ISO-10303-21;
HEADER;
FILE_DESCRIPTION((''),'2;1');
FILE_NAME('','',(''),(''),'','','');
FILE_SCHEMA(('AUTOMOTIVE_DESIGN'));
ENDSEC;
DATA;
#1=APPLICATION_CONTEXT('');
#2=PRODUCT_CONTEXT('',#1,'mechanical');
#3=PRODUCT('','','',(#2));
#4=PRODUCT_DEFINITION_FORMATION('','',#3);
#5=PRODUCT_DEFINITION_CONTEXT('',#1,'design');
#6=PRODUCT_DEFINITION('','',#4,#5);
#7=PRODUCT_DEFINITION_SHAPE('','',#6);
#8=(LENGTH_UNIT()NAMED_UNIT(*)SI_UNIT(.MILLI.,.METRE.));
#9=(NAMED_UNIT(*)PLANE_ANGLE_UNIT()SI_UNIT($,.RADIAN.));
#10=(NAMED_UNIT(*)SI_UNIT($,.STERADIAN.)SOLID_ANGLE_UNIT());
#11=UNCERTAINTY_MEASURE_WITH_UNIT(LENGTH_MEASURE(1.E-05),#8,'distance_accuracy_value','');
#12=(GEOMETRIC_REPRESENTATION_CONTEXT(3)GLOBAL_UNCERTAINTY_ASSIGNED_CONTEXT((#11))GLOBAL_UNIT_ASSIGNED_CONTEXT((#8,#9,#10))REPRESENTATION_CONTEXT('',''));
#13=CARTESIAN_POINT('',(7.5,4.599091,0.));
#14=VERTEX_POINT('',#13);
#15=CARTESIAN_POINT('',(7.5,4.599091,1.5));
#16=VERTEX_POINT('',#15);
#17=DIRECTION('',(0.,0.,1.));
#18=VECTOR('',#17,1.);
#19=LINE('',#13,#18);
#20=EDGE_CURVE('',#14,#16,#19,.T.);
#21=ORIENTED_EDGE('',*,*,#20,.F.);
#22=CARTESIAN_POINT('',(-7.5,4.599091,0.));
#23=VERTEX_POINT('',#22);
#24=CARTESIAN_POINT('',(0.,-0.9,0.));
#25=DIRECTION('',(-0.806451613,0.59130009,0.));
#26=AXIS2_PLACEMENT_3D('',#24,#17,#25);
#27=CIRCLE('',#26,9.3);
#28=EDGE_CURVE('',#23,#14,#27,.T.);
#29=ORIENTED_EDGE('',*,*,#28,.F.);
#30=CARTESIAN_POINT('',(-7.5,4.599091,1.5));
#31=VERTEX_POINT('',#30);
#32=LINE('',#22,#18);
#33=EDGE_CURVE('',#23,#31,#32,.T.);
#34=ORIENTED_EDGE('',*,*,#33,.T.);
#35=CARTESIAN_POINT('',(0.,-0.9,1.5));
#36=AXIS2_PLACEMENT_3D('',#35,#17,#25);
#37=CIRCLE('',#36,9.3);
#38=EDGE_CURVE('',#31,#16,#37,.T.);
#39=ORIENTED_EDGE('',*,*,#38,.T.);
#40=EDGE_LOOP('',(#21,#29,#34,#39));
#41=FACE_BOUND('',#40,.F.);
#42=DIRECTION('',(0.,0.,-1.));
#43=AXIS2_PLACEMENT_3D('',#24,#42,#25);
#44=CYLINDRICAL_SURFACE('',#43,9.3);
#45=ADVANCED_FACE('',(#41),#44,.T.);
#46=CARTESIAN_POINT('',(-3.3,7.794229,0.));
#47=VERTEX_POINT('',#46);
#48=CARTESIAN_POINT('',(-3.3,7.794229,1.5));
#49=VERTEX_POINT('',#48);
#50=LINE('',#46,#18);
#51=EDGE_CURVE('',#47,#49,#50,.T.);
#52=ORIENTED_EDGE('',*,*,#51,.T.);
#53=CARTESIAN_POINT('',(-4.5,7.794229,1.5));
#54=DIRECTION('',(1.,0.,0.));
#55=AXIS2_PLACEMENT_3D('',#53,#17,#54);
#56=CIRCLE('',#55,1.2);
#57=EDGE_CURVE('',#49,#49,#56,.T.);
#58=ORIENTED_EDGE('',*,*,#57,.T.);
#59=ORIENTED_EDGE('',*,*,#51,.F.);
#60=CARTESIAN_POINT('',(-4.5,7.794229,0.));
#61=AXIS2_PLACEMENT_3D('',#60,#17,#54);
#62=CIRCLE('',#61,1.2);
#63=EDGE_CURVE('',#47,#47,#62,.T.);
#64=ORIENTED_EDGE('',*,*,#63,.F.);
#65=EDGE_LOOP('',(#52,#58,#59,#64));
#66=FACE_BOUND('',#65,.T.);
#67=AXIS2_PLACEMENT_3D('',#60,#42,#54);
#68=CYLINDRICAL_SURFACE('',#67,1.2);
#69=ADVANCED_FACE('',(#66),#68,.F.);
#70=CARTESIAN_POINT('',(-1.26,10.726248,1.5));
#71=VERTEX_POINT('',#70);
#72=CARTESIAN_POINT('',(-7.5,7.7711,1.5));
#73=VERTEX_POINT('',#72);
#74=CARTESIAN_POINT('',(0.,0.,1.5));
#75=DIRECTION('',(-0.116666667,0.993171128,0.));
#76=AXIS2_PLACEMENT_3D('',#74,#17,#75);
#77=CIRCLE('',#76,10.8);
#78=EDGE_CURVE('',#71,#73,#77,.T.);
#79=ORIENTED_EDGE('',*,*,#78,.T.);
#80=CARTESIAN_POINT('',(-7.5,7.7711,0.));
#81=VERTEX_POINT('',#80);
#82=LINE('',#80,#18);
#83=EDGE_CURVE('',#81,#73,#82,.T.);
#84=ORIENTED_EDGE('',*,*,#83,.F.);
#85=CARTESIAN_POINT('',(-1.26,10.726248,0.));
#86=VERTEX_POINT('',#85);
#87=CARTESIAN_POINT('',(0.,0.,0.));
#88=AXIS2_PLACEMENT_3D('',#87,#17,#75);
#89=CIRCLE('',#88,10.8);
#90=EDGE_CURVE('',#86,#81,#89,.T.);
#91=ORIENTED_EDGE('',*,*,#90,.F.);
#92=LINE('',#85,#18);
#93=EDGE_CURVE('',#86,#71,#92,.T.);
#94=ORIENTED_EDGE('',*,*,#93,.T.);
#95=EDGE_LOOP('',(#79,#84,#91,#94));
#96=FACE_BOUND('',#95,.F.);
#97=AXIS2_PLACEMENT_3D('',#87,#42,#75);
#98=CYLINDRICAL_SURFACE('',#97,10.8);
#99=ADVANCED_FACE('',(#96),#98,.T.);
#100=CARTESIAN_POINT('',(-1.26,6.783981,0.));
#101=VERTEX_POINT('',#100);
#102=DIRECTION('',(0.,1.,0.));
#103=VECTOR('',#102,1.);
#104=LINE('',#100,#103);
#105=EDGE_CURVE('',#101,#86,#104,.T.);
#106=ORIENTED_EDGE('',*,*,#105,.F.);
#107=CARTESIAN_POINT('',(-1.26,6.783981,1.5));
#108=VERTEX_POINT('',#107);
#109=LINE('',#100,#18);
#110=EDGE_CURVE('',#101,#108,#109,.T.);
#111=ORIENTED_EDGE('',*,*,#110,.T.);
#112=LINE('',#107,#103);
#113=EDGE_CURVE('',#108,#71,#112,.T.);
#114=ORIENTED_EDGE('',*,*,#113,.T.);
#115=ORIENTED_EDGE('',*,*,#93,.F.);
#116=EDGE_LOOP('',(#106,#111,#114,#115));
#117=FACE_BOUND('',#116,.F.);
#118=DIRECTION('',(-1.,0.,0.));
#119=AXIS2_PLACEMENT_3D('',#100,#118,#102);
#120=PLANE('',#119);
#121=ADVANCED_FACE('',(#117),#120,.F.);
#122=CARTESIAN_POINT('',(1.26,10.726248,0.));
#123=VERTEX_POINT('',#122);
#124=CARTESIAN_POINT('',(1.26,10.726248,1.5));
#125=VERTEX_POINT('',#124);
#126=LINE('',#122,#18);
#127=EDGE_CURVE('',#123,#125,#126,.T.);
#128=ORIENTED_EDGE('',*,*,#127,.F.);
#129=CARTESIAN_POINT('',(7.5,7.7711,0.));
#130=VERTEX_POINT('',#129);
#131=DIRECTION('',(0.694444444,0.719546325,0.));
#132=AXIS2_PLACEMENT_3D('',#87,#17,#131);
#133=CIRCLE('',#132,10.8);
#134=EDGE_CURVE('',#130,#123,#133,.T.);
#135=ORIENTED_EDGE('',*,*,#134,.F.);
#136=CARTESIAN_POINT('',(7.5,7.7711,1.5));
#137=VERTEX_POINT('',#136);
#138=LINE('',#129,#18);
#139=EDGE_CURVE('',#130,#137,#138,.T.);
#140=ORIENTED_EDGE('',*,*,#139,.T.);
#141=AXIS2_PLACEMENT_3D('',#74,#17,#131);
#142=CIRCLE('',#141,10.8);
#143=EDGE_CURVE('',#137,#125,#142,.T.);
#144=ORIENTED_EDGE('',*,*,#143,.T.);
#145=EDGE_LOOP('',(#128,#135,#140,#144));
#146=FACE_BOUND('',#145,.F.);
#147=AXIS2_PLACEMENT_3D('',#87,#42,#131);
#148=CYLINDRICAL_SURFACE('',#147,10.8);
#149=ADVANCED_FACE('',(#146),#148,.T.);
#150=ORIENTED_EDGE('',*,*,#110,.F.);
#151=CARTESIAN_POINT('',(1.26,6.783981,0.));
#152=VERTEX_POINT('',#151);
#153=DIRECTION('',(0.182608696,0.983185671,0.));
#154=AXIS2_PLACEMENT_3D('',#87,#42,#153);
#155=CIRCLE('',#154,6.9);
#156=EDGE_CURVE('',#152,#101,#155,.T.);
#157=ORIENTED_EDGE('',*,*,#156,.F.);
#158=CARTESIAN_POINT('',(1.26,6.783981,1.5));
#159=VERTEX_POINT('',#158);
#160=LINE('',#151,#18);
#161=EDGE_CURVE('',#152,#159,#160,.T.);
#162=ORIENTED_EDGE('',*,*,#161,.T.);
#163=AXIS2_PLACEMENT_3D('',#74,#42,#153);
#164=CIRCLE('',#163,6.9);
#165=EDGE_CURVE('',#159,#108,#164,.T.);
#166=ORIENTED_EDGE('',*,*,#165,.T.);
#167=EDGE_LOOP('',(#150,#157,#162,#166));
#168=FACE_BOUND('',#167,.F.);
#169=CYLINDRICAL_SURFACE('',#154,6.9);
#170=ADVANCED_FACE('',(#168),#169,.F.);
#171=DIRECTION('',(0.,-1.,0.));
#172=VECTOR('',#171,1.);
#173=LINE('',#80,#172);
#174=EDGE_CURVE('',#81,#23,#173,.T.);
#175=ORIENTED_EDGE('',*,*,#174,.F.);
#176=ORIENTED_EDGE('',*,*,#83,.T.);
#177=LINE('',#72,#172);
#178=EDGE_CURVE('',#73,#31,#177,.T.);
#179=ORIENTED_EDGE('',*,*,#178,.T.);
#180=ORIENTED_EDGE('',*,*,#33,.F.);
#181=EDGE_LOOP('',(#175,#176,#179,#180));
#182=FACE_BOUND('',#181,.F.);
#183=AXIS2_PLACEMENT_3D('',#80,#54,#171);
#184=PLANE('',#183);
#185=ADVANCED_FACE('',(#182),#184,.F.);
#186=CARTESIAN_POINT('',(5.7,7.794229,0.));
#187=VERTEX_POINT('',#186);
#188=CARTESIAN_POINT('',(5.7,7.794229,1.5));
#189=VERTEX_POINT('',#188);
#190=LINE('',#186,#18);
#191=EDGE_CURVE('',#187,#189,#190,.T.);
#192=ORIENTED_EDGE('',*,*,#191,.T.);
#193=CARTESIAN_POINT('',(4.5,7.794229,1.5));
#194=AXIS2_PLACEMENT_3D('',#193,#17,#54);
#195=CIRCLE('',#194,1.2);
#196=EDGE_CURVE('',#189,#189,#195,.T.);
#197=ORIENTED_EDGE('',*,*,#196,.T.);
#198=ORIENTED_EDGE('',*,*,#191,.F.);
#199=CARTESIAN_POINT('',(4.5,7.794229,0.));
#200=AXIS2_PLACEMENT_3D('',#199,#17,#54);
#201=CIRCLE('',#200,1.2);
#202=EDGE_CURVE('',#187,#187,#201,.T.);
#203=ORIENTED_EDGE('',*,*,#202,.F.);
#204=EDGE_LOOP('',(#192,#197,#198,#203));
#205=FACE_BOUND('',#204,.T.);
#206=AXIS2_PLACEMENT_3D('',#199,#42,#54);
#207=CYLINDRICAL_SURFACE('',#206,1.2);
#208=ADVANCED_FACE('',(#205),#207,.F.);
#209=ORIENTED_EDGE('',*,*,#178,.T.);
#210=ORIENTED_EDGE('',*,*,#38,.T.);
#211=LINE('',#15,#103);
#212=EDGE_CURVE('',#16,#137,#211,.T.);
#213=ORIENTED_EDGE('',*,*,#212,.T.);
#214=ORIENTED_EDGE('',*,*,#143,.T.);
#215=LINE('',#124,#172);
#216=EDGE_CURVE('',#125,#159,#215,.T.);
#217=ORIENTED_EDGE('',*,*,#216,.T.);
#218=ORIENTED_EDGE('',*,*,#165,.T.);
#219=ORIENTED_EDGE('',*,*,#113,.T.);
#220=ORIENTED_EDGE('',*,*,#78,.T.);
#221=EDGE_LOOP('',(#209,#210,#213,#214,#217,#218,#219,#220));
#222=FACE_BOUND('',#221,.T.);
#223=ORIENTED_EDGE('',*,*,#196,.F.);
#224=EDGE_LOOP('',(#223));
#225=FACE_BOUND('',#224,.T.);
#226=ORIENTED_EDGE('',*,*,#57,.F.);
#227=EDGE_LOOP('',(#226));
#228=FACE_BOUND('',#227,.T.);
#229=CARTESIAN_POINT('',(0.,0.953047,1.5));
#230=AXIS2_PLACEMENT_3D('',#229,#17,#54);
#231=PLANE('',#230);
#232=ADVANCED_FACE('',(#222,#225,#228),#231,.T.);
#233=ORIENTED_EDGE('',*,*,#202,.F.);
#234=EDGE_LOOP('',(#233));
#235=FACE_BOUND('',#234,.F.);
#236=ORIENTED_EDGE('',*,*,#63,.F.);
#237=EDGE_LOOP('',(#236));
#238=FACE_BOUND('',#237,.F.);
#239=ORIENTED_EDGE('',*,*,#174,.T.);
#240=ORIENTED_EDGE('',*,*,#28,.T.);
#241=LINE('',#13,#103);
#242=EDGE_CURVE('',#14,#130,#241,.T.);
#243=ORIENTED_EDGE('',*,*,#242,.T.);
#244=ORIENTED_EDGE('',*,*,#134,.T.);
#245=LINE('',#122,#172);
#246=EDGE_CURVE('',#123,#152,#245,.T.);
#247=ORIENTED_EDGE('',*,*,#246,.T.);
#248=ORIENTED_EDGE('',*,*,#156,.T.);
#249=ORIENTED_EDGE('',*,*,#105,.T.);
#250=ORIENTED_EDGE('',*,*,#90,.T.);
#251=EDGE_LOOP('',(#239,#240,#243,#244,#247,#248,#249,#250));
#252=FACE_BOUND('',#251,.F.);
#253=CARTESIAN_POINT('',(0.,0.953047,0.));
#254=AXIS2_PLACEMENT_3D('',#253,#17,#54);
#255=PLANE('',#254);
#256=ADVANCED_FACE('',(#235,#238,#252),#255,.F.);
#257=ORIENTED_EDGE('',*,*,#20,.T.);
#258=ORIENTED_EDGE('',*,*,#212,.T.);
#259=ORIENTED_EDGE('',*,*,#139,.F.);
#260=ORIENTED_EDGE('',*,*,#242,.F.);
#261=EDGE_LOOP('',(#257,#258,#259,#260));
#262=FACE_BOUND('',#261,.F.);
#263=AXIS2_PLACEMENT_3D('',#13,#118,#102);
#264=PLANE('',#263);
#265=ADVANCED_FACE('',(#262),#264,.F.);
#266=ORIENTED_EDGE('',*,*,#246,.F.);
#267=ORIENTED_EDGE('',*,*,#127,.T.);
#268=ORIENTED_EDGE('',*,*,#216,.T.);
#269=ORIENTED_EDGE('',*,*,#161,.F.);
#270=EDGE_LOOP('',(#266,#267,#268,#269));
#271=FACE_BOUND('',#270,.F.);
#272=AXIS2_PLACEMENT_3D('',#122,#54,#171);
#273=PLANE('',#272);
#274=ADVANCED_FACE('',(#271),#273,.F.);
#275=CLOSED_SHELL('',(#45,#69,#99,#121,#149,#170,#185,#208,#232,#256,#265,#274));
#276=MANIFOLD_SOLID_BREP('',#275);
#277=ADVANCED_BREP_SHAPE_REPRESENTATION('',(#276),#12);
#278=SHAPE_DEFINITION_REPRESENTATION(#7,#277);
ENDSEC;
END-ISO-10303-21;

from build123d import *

# Parameters (mm, degrees)
F0_R     = 0.4
F1_DEPTH = 0.5
F2_SCALE = 3


with BuildPart() as f1:
    # F0 (on Top) → F1 (new body)
    with BuildSketch(Plane.XY):
        with BuildLine():
            Line((2.5, 1.533030278), (2.5, 2.5903667694))
            ThreePointArc((2.5, 2.5903667694), (1.5408376054, 3.2535856334), (0.42, 3.5754160597))
            Line((0.42, 3.5754160597), (0.42, 2.261327044))
            ThreePointArc((0.42, 2.261327044), (0, -2.3), (-0.42, 2.261327044))
            Line((-0.42, 2.261327044), (-0.42, 3.5754160597))
            ThreePointArc((-0.42, 3.5754160597), (-1.5408376054, 3.2535856334), (-2.5, 2.5903667694))
            Line((-2.5, 2.5903667694), (-2.5, 1.533030278))
            ThreePointArc((-2.5, 1.533030278), (0, -3.4), (2.5, 1.533030278))
        make_face()
        with Locations((-1.5, 2.5980762114)):
            Circle(F0_R, mode=Mode.SUBTRACT)
        with Locations((1.5, 2.5980762114)):
            Circle(F0_R, mode=Mode.SUBTRACT)
    extrude(amount=F1_DEPTH)


with BuildPart() as f1_1:
    # F2: moved
    add(f1.part.scale(F2_SCALE))


solid = f1_1.part
